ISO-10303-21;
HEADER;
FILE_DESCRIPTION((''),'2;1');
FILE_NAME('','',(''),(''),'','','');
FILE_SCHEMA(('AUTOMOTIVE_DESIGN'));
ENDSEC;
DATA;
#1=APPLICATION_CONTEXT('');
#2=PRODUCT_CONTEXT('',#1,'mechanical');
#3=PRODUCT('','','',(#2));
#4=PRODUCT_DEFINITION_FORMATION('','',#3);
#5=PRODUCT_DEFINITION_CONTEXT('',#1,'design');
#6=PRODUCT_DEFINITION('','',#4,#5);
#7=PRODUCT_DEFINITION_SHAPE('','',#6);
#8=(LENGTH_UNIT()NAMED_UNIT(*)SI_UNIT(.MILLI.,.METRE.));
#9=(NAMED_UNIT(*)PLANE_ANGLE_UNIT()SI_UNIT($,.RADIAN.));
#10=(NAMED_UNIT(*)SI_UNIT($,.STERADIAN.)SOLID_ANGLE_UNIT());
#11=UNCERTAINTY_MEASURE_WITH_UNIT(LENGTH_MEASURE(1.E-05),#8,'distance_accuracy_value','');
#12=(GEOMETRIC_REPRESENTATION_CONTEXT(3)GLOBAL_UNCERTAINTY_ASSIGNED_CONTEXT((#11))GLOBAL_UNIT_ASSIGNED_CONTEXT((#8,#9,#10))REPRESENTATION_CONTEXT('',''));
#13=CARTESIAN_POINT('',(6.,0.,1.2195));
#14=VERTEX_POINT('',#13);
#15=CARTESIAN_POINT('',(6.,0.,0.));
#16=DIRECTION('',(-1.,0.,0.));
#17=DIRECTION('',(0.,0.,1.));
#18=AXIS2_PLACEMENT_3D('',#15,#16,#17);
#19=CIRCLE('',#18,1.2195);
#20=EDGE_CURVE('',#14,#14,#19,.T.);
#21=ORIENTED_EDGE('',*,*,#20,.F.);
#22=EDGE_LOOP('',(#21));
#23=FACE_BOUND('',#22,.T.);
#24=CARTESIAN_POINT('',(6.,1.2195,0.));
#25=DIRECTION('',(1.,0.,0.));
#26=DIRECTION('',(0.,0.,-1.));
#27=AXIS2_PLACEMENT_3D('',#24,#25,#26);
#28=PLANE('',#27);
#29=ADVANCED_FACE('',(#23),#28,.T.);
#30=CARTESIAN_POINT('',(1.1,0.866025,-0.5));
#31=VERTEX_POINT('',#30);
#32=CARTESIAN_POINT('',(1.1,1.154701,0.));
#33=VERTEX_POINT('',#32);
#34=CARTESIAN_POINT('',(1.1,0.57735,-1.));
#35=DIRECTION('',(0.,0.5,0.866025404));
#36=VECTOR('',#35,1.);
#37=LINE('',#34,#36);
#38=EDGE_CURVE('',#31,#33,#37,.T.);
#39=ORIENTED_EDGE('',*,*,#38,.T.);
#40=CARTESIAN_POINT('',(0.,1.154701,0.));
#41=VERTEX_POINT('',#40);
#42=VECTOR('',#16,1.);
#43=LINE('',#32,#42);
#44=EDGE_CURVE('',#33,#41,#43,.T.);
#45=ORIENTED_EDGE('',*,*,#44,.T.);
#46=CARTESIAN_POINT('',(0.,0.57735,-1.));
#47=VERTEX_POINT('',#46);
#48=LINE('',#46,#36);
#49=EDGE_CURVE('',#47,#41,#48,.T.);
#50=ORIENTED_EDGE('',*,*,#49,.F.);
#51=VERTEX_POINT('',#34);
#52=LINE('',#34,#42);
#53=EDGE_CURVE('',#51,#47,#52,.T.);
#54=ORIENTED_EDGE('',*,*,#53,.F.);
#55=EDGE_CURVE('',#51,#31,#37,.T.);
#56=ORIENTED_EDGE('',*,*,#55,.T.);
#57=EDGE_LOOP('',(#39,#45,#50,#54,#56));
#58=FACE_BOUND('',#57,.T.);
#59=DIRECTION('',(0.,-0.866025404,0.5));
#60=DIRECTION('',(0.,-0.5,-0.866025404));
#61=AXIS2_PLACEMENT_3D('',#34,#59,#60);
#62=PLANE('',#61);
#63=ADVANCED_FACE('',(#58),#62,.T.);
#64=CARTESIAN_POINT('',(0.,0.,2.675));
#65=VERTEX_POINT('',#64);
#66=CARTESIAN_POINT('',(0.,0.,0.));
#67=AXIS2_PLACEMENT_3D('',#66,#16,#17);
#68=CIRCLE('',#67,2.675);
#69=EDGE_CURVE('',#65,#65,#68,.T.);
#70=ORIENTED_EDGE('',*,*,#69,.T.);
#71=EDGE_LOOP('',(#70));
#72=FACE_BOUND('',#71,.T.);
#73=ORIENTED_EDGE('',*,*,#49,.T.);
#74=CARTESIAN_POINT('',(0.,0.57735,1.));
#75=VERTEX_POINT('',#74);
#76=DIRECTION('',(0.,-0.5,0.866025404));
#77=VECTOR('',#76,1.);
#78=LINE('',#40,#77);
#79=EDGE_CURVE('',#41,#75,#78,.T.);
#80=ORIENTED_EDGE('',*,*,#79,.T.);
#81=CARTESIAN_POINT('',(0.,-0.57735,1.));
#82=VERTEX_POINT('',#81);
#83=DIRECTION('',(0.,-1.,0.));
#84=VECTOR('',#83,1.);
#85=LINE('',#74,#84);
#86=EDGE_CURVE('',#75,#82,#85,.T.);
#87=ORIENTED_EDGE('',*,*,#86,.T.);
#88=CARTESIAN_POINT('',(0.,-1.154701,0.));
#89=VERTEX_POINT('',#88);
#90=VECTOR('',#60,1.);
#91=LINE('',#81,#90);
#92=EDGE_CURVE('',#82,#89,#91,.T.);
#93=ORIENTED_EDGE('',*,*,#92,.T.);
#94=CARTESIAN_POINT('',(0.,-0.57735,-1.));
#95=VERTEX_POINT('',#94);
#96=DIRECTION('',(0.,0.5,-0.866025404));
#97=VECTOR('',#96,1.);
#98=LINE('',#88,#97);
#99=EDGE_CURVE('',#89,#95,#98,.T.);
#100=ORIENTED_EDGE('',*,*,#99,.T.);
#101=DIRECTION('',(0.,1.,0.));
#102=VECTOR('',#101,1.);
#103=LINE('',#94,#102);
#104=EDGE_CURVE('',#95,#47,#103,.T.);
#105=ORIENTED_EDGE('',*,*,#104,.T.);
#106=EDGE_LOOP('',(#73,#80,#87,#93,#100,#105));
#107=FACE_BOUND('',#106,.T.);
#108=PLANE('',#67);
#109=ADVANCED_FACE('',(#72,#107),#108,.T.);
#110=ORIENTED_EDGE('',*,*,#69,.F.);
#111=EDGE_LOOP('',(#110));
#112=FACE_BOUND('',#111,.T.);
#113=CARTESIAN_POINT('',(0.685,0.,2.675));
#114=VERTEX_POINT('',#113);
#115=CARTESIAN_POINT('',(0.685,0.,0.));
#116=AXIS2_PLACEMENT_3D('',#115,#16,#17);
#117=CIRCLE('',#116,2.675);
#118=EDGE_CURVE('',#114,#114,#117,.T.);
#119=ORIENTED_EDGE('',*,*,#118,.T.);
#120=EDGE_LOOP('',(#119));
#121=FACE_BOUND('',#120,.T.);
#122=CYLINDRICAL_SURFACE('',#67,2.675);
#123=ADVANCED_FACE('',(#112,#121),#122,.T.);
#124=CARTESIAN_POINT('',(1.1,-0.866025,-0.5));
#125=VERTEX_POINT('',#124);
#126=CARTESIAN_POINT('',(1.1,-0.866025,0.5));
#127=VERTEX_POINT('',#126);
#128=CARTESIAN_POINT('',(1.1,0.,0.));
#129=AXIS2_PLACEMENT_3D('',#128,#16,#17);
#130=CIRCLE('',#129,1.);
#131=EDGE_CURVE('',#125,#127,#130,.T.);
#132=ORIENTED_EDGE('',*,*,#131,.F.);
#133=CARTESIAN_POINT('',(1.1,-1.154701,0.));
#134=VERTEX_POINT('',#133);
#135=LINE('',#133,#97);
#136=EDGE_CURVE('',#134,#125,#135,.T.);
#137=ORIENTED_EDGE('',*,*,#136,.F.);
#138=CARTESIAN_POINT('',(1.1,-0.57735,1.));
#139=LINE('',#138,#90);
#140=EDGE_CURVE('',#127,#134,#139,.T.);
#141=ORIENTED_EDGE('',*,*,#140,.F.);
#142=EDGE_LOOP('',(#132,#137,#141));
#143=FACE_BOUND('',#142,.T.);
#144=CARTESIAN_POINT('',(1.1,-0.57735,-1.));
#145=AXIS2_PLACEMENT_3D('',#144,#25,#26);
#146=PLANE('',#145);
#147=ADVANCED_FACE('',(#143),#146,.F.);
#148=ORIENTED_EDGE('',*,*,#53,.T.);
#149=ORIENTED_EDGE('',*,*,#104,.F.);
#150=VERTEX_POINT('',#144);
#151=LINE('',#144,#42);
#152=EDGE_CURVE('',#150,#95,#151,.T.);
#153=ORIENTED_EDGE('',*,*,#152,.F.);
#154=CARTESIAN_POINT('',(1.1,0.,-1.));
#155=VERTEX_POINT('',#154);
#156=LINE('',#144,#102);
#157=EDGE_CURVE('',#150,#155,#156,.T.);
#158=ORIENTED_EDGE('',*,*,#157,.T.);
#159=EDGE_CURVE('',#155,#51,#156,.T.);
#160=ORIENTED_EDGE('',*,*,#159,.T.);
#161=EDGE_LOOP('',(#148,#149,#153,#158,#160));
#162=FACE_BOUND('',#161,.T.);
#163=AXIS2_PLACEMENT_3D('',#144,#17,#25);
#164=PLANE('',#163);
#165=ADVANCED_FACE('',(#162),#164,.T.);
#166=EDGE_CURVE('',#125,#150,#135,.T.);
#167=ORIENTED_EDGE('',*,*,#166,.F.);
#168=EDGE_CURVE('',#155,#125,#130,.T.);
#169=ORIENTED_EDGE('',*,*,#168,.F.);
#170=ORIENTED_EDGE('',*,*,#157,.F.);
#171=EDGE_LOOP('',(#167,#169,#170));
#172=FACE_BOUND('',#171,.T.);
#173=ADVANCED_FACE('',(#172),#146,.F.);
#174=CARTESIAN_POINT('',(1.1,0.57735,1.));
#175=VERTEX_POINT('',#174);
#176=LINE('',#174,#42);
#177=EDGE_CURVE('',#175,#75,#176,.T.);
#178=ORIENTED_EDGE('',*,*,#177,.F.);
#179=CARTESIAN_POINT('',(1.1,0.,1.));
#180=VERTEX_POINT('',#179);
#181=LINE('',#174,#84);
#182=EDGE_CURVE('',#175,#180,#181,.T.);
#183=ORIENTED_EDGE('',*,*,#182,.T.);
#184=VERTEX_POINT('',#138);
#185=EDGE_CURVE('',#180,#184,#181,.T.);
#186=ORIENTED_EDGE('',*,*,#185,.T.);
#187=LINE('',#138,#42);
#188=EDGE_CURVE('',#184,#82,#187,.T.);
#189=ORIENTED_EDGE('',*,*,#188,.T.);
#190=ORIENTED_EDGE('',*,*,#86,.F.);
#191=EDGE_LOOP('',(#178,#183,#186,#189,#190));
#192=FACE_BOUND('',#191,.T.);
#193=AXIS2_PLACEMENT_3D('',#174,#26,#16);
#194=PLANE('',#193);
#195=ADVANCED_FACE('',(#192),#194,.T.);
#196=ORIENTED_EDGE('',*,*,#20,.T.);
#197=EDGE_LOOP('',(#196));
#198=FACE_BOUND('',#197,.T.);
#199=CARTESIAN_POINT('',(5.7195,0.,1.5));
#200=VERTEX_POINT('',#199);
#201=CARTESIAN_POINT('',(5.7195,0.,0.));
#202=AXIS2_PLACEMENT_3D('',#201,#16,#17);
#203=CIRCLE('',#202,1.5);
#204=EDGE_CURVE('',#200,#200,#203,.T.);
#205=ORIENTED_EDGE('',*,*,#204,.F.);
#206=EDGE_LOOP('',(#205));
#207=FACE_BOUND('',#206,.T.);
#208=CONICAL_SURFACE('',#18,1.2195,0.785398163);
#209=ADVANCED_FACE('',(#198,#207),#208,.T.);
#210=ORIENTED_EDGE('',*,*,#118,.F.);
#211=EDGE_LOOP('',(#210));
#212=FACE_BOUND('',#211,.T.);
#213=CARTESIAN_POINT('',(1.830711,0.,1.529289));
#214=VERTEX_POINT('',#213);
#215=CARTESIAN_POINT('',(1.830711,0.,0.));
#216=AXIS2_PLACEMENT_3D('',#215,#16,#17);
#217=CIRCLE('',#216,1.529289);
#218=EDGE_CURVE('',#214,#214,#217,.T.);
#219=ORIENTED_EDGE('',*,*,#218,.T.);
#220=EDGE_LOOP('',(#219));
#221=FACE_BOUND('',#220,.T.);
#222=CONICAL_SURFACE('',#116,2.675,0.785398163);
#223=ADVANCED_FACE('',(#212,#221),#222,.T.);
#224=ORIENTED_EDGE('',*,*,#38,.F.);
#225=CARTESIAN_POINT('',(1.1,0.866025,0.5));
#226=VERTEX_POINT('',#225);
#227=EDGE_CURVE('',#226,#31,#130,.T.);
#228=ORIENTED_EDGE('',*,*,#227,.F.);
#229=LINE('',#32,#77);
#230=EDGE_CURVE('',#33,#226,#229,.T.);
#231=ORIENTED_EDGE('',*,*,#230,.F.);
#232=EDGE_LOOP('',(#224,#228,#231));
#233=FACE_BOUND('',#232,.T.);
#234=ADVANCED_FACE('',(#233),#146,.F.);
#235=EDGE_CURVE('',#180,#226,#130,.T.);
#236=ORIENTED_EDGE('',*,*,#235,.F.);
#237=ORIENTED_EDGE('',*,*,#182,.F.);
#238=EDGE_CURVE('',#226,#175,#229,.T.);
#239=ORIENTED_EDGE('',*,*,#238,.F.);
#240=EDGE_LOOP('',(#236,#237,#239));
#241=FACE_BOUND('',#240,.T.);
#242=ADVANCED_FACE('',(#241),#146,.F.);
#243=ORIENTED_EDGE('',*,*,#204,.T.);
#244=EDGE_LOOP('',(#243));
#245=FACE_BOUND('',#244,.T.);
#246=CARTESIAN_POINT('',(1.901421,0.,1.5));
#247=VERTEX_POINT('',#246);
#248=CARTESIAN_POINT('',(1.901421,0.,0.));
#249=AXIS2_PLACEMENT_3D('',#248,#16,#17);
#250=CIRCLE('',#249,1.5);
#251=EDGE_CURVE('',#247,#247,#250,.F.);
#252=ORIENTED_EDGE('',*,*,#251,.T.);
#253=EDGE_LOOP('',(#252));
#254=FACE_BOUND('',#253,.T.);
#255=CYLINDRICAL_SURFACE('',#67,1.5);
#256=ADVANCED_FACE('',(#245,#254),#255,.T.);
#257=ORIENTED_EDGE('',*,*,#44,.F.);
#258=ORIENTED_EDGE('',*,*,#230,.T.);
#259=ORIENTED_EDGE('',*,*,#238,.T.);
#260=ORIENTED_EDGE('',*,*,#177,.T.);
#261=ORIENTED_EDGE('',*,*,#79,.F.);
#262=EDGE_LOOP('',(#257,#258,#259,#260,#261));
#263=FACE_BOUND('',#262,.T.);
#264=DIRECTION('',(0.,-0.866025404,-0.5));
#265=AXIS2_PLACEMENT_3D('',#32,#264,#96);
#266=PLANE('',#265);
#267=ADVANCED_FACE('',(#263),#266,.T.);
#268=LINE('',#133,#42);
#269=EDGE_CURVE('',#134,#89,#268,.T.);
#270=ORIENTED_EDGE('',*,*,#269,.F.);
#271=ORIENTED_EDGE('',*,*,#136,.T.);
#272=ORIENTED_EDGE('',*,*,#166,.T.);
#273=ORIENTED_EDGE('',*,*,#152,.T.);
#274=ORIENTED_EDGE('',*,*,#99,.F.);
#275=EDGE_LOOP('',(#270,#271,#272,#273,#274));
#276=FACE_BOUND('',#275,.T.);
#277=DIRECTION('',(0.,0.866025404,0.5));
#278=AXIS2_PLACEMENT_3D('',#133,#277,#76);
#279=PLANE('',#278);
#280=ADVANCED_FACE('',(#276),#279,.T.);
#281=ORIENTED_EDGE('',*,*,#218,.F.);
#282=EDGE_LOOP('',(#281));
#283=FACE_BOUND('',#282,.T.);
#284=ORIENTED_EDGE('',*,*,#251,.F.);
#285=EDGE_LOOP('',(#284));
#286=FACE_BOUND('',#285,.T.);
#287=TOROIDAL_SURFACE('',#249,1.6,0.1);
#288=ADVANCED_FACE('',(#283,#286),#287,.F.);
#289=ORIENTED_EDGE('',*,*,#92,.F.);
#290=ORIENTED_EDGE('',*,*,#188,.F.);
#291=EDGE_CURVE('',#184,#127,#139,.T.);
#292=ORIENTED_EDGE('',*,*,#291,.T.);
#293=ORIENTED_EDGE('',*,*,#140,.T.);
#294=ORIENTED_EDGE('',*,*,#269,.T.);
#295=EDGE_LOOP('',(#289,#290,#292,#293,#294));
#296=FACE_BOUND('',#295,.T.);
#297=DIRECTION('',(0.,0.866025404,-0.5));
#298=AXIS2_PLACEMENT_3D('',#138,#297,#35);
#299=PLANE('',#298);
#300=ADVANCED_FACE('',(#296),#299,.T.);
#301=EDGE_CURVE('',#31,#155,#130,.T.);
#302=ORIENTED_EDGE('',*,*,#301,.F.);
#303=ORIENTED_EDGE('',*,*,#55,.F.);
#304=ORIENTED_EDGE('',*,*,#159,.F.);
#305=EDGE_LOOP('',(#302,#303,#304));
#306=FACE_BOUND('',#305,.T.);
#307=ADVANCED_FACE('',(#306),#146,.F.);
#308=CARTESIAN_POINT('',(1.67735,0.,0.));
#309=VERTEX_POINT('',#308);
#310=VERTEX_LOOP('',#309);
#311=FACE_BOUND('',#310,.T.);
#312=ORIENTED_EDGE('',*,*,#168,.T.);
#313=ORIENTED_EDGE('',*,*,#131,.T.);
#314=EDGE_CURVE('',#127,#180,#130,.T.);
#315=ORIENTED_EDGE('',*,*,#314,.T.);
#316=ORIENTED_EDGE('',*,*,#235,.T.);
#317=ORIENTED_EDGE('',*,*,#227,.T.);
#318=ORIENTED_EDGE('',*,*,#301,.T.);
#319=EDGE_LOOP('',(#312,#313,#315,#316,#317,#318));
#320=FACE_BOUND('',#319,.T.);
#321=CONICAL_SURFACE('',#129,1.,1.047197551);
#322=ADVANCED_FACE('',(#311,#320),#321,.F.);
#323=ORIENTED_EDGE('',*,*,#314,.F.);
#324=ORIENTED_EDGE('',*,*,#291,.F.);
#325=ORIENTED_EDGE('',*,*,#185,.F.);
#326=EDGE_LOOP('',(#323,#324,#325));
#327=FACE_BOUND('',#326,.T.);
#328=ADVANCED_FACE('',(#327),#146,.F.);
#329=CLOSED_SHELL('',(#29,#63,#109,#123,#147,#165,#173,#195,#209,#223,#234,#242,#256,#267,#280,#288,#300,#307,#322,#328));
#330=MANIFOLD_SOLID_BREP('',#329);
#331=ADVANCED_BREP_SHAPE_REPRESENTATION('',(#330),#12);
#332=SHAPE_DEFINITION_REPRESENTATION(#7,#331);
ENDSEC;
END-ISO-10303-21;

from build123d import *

# Parameters (mm, degrees)
FILLET1_R   = 0.1
HEX_2_DEPTH = 1.1


with BuildPart() as part:
    # BodySke → BaseBody (revolve)
    with BuildSketch(Plane.XY):
        Polygon((0, 0), (0, 2.675), (0.685, 2.675), (1.86, 1.5), (5.7195, 1.5), (6, 1.2195), (6, 0), align=None)
    revolve(axis=Axis((0, 0, 0), (1, 0, 0)))

    # Fillet1
    fillet1_edges = [part.edges().sort_by_distance(p)[0] for p in [
        (1.86, -1.5, 0),
    ]]
    fillet(fillet1_edges, radius=FILLET1_R)

    # Sketch2 → PreBroach (revolve, cut)
    with BuildSketch(Plane.XY):
        Polygon((0, 1), (1.1, 1), (1.677350269, 0), (0, 0), align=None)
    revolve(axis=Axis((0, 0, 0), (1, 0, 0)), mode=Mode.SUBTRACT)

    # Sketch3 → Hex 2 (cut)
    with BuildSketch(Plane.ZY):
        Polygon((-1, -0.577350269), (-1, 0.577350269), (0, 1.154700538), (1, 0.577350269), (1, -0.577350269), (0, -1.154700538), align=None)
    extrude(amount=-HEX_2_DEPTH, mode=Mode.SUBTRACT)


solid = part.part
